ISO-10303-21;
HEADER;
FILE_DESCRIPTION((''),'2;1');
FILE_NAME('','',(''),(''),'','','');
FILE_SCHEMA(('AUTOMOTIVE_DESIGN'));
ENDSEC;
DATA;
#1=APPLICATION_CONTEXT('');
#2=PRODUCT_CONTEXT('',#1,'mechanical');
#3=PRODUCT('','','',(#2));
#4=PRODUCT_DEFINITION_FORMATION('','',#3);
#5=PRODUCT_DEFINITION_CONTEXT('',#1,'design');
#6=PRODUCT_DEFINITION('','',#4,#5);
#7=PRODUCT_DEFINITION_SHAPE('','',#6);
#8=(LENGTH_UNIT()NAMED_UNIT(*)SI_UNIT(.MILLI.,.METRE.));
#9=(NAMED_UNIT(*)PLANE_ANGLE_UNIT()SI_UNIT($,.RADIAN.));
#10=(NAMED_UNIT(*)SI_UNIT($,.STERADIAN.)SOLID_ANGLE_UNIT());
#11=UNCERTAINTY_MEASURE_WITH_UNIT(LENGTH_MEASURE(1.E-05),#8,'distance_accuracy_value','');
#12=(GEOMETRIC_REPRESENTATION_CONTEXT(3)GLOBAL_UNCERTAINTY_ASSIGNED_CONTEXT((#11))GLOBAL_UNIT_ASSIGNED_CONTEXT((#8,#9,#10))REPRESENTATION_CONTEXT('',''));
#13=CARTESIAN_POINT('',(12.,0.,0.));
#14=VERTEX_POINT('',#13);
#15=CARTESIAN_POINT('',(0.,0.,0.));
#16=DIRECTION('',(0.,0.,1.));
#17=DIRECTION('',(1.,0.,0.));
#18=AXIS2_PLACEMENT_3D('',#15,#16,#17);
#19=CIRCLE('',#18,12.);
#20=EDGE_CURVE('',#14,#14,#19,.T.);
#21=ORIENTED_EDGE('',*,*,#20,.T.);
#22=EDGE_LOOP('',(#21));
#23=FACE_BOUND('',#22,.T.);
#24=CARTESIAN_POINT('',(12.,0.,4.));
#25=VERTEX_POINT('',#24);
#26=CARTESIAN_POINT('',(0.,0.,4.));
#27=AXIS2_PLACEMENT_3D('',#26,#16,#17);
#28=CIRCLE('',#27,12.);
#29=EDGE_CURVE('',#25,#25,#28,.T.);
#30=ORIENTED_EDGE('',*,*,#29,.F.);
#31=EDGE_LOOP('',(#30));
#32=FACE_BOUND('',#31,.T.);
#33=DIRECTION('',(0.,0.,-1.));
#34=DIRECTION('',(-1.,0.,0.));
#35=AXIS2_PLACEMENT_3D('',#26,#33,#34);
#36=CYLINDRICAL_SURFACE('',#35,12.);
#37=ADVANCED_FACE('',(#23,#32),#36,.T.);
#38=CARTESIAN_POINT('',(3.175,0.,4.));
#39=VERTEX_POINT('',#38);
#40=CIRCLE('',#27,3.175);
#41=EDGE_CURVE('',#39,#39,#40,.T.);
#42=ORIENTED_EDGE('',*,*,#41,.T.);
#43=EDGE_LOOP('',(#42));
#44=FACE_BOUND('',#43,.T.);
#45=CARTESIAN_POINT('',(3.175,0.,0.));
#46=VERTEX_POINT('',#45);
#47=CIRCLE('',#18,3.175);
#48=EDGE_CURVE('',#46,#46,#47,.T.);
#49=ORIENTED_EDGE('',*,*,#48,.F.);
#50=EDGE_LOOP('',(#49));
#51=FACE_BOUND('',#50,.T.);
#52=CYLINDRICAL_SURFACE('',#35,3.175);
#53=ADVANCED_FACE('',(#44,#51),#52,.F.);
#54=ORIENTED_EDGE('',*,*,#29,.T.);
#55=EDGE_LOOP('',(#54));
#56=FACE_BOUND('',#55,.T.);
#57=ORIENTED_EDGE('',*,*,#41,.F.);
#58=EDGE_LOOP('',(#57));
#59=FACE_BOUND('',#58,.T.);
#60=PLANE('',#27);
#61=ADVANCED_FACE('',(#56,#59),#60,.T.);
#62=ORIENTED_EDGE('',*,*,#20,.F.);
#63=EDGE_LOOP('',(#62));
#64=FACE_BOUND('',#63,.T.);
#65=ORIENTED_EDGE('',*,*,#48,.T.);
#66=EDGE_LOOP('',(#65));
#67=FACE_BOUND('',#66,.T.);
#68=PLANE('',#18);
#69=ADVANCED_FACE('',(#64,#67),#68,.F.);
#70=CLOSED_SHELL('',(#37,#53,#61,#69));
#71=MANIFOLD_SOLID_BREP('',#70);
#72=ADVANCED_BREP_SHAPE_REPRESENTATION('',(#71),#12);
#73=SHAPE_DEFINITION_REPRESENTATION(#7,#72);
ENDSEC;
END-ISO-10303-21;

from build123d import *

# Parameters (mm, degrees)
SKETCH1_R           = 12
SKETCH1_R_2         = 3.175
BOSS_EXTRUDE1_DEPTH = 4


with BuildPart() as part:
    # Sketch1 → Boss-Extrude1 (new body)
    with BuildSketch(Plane.XY):
        Circle(SKETCH1_R)
        Circle(SKETCH1_R_2, mode=Mode.SUBTRACT)
    extrude(amount=BOSS_EXTRUDE1_DEPTH)


solid = part.part
